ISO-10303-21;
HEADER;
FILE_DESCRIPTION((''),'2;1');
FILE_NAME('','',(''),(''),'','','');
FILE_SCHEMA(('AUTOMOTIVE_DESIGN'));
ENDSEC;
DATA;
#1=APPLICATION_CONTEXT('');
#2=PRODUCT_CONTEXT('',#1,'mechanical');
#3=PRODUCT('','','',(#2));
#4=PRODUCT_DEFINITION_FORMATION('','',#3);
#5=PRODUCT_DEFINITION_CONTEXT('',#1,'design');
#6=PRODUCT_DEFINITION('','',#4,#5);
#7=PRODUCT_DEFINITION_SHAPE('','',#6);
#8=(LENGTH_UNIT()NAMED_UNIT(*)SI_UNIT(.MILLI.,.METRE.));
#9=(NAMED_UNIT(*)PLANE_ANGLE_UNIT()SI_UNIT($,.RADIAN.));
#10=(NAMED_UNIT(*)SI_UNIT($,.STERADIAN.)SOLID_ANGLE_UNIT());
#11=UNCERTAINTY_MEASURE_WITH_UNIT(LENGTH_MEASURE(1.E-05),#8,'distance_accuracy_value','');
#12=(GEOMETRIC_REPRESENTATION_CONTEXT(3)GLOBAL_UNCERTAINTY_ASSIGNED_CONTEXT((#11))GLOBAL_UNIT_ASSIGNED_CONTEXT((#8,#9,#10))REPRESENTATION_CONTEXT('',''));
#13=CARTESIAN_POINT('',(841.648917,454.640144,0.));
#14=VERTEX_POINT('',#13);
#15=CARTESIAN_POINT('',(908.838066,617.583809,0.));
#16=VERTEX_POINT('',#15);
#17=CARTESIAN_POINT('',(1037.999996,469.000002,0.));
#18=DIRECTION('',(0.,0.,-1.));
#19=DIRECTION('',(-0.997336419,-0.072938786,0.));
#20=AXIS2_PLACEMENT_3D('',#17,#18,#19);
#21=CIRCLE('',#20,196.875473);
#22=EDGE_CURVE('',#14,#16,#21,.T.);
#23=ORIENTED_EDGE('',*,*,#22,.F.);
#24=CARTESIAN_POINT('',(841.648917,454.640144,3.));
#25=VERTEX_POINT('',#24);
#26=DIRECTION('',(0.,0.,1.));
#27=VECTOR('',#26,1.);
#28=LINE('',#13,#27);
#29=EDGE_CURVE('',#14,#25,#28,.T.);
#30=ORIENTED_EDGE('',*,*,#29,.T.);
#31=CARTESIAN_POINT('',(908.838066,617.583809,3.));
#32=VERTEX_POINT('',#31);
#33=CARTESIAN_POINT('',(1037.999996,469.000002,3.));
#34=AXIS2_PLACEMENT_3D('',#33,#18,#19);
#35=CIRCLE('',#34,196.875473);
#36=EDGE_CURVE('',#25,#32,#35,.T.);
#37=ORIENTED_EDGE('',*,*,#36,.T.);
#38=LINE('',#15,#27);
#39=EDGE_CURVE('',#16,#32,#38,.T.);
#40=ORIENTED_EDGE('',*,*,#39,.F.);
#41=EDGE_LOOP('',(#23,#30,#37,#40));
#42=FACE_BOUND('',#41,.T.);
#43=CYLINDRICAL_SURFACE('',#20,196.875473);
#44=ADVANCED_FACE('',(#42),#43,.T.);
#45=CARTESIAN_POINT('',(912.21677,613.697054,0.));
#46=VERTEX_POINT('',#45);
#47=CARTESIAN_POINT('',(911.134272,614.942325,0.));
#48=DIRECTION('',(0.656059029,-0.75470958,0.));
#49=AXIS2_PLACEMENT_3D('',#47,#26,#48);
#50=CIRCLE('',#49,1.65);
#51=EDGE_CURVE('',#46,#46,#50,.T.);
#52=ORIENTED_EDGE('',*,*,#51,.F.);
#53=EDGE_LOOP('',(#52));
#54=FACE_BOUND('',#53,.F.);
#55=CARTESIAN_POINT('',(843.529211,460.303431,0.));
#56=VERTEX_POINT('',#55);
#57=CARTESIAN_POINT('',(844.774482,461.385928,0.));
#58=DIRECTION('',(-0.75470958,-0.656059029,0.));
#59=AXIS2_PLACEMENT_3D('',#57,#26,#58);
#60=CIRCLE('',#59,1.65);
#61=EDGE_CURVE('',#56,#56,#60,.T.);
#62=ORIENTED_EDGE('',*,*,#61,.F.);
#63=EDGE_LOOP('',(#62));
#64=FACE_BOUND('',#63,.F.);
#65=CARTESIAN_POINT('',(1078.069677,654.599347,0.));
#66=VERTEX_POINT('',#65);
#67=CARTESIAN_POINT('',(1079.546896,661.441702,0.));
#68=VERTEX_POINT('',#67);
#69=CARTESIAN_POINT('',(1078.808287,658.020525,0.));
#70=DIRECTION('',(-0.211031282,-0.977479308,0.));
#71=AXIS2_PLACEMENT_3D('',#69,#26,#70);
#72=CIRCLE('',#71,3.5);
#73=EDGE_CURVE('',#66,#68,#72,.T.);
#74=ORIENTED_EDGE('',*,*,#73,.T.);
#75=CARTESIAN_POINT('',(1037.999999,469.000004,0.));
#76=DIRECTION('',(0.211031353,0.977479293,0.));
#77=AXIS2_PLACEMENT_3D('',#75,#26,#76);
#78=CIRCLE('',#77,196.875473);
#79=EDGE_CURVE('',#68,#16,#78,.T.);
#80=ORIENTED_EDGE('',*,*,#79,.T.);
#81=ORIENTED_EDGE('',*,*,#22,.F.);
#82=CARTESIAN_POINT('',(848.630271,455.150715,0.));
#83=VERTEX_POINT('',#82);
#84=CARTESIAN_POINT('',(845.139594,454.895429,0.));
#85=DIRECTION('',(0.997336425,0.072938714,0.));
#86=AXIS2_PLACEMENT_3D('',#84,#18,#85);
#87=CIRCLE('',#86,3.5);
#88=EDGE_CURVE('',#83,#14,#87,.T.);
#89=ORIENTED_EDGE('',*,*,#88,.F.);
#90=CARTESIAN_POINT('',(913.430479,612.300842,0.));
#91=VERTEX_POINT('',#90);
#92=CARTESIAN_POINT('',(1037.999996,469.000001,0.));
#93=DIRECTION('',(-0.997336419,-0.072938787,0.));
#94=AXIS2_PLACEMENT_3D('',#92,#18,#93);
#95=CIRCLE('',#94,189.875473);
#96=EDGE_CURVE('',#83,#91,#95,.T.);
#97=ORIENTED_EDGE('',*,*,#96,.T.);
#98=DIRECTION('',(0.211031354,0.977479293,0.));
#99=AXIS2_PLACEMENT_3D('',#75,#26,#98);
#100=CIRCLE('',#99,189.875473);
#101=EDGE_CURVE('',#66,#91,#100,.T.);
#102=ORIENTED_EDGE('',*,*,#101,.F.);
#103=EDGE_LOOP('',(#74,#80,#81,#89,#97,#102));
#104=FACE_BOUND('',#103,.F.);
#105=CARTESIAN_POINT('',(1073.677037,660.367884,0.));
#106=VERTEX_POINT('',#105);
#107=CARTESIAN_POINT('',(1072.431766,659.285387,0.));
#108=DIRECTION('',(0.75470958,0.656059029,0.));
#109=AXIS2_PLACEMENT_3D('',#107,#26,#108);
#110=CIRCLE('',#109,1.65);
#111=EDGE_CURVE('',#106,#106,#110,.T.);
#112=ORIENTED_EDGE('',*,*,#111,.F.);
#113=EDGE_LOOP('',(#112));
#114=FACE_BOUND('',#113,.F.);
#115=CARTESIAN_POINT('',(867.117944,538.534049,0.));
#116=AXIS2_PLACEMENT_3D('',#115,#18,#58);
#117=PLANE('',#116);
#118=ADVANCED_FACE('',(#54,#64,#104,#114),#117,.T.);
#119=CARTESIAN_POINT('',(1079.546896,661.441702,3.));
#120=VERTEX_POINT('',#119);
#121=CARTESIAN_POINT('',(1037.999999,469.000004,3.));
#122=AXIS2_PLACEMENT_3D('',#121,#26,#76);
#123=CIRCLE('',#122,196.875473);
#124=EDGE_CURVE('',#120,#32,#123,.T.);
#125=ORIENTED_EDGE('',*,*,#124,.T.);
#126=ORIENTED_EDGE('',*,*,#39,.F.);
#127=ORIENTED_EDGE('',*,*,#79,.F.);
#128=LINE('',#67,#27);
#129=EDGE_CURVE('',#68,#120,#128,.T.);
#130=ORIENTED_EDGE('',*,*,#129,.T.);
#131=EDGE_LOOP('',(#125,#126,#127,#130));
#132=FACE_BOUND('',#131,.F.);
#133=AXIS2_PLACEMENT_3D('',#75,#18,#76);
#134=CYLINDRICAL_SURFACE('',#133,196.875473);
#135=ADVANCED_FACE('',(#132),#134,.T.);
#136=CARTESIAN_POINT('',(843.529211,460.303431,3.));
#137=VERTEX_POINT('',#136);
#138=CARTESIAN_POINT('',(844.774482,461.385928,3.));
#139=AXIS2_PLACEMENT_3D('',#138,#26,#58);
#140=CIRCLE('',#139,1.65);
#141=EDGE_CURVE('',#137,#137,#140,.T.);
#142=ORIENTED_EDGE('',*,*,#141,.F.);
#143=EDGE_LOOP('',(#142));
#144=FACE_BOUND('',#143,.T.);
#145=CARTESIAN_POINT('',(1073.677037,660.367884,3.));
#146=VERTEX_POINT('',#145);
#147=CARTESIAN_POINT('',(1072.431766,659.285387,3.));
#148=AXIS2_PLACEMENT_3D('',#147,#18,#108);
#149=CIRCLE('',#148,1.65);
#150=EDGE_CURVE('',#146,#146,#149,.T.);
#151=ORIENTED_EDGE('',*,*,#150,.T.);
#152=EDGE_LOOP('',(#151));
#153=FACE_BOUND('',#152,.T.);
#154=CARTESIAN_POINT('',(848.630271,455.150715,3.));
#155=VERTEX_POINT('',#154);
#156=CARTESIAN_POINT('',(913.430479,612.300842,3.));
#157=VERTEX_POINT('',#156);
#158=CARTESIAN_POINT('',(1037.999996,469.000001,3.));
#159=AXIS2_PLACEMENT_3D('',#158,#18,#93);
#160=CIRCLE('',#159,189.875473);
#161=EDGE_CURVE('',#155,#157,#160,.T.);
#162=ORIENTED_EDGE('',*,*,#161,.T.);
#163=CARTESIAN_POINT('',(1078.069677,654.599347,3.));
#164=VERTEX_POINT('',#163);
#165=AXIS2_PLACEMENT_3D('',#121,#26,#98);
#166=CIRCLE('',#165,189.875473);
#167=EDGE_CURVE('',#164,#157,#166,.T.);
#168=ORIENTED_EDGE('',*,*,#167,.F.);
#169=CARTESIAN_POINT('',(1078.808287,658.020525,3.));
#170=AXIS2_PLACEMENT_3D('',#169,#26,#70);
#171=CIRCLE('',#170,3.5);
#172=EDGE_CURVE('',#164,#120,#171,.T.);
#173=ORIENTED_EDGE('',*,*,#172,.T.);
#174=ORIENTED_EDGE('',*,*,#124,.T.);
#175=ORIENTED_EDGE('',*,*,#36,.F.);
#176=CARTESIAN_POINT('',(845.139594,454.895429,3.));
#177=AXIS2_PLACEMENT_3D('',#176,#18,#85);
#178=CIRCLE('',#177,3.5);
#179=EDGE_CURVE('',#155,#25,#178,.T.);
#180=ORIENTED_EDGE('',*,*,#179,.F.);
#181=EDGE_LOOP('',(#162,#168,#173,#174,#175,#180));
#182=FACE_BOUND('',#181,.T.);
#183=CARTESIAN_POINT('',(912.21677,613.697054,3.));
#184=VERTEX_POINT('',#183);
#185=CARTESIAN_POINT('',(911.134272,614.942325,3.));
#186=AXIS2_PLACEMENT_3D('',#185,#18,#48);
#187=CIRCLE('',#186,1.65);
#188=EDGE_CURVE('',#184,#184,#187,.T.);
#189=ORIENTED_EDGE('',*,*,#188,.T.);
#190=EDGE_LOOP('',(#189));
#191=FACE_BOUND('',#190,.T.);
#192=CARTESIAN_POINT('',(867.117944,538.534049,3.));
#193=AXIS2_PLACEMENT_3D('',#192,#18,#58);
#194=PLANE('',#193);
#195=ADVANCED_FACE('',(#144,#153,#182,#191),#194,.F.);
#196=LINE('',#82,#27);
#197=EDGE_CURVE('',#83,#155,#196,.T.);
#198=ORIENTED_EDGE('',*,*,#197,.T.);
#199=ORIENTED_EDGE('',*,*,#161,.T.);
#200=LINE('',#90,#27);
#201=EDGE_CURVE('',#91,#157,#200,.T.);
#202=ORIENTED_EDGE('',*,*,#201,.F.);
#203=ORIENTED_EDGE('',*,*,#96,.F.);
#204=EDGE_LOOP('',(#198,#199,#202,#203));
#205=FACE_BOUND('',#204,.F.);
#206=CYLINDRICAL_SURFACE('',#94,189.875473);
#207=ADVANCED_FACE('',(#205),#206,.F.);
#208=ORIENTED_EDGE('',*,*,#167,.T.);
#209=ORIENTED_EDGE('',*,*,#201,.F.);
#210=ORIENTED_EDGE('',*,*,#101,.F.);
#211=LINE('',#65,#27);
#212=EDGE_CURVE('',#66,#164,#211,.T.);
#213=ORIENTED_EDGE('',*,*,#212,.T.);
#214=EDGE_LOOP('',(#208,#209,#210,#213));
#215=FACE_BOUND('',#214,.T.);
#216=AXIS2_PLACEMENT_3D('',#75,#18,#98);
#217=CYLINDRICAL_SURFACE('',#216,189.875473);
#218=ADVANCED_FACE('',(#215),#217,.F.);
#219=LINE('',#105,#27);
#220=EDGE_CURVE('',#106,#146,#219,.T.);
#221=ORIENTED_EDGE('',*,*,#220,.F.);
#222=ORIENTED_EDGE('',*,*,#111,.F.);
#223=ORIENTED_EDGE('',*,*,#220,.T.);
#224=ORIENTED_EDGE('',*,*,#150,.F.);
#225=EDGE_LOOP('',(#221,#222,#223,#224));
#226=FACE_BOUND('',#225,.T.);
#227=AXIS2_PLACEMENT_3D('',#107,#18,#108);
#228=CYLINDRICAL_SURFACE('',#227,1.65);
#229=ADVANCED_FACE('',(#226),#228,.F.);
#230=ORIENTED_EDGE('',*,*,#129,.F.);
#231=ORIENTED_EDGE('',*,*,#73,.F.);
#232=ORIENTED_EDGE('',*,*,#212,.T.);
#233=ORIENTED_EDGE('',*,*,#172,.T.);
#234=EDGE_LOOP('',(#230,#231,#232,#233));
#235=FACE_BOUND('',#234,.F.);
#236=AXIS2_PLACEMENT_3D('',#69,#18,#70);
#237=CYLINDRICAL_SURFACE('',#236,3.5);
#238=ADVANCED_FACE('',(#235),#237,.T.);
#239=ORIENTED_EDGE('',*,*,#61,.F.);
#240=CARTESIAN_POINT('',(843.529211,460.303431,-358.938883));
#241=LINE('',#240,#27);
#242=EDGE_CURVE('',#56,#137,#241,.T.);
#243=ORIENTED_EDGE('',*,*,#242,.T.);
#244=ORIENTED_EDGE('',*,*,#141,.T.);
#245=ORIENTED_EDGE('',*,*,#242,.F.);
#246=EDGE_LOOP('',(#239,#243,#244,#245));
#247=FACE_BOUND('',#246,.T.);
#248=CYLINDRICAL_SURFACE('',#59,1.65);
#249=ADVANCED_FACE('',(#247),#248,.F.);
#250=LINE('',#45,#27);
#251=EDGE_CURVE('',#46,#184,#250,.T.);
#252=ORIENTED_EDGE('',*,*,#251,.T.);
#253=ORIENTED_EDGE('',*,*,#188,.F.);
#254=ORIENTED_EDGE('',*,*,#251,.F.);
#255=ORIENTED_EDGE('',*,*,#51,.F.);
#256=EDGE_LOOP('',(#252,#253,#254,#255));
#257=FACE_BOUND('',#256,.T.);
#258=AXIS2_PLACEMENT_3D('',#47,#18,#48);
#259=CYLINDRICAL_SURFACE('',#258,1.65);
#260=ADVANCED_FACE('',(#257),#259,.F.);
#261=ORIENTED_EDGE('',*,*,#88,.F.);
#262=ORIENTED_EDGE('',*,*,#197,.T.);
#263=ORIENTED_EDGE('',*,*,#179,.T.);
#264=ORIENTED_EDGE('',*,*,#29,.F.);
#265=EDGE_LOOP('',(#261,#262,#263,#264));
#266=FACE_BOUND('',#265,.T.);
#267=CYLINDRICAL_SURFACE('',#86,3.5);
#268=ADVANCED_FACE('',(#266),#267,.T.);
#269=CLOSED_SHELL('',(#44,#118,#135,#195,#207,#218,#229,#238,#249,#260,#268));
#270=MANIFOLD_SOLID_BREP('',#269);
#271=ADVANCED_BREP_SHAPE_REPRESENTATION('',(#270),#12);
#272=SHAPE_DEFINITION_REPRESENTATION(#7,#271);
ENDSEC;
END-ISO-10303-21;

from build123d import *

# Parameters (mm, degrees)
PAD015_DEPTH                        = 3
SKETCH054_R                         = 1.65
POCKET018_DEPTH                     = 358.938883
POCKET018_DEPTH_BACK                = 361.938883
BODY001003005003004_PLACEMENT_ANGLE = 60
CLONE005_PLACEMENT_ANGLE            = 19


with BuildPart() as part:
    # Sketch053 → Pad015 (new body)
    with BuildSketch(Plane.XY):
        with BuildLine():
            ThreePointArc((152.005097, 113.785532), (84.992984, 169.790723), (0, 189.875477))
            Line((0, 189.875477), (0, 196.875477))
            ThreePointArc((157.608957, 117.98038), (88.126358, 176.050273), (0, 196.875477))
            ThreePointArc((152.005097, 113.785532), (156.904451, 113.081026), (157.608957, 117.98038))
        make_face()
    pad015 = extrude(amount=PAD015_DEPTH)

    # Sketch054 → Pocket018 (cut, two sides)
    with BuildSketch(Plane.XY) as pocket018_sk:
        with Locations((150.82443, 121.020933)):
            Circle(SKETCH054_R)
        with BuildLine():
            ThreePointArc((0, 191.725477), (1.65, 193.375477), (0, 195.025477))
            Line((0, 191.725477), (0, 195.025477))
        make_face()
    pocket018 = extrude(amount=-POCKET018_DEPTH, mode=Mode.SUBTRACT) + extrude(pocket018_sk.sketch, amount=POCKET018_DEPTH_BACK, mode=Mode.SUBTRACT)

    # Mirrored020: Pad015, Pocket018 across Sketch053 V_Axis
    add(pad015.mirror(Plane(origin=(0, 0, 0), x_dir=(0, 0, 1), z_dir=(1, 0, 0))))
    add(pocket018.mirror(Plane(origin=(0, 0, 0), x_dir=(0, 0, 1), z_dir=(1, 0, 0))), mode=Mode.SUBTRACT)


with BuildPart() as part_1:
    # Body001003005003004 placement: moved
    add(part.part.rotate(Axis((0, 0, 0), (0, 0, 1)), BODY001003005003004_PLACEMENT_ANGLE))


with BuildPart() as part_2:
    # Clone005 placement: moved
    add(part_1.part.moved(Location((1038, 469, 0))).rotate(Axis((1038, 469, 0), (0, 0, -1)), CLONE005_PLACEMENT_ANGLE))


solid = part_2.part
